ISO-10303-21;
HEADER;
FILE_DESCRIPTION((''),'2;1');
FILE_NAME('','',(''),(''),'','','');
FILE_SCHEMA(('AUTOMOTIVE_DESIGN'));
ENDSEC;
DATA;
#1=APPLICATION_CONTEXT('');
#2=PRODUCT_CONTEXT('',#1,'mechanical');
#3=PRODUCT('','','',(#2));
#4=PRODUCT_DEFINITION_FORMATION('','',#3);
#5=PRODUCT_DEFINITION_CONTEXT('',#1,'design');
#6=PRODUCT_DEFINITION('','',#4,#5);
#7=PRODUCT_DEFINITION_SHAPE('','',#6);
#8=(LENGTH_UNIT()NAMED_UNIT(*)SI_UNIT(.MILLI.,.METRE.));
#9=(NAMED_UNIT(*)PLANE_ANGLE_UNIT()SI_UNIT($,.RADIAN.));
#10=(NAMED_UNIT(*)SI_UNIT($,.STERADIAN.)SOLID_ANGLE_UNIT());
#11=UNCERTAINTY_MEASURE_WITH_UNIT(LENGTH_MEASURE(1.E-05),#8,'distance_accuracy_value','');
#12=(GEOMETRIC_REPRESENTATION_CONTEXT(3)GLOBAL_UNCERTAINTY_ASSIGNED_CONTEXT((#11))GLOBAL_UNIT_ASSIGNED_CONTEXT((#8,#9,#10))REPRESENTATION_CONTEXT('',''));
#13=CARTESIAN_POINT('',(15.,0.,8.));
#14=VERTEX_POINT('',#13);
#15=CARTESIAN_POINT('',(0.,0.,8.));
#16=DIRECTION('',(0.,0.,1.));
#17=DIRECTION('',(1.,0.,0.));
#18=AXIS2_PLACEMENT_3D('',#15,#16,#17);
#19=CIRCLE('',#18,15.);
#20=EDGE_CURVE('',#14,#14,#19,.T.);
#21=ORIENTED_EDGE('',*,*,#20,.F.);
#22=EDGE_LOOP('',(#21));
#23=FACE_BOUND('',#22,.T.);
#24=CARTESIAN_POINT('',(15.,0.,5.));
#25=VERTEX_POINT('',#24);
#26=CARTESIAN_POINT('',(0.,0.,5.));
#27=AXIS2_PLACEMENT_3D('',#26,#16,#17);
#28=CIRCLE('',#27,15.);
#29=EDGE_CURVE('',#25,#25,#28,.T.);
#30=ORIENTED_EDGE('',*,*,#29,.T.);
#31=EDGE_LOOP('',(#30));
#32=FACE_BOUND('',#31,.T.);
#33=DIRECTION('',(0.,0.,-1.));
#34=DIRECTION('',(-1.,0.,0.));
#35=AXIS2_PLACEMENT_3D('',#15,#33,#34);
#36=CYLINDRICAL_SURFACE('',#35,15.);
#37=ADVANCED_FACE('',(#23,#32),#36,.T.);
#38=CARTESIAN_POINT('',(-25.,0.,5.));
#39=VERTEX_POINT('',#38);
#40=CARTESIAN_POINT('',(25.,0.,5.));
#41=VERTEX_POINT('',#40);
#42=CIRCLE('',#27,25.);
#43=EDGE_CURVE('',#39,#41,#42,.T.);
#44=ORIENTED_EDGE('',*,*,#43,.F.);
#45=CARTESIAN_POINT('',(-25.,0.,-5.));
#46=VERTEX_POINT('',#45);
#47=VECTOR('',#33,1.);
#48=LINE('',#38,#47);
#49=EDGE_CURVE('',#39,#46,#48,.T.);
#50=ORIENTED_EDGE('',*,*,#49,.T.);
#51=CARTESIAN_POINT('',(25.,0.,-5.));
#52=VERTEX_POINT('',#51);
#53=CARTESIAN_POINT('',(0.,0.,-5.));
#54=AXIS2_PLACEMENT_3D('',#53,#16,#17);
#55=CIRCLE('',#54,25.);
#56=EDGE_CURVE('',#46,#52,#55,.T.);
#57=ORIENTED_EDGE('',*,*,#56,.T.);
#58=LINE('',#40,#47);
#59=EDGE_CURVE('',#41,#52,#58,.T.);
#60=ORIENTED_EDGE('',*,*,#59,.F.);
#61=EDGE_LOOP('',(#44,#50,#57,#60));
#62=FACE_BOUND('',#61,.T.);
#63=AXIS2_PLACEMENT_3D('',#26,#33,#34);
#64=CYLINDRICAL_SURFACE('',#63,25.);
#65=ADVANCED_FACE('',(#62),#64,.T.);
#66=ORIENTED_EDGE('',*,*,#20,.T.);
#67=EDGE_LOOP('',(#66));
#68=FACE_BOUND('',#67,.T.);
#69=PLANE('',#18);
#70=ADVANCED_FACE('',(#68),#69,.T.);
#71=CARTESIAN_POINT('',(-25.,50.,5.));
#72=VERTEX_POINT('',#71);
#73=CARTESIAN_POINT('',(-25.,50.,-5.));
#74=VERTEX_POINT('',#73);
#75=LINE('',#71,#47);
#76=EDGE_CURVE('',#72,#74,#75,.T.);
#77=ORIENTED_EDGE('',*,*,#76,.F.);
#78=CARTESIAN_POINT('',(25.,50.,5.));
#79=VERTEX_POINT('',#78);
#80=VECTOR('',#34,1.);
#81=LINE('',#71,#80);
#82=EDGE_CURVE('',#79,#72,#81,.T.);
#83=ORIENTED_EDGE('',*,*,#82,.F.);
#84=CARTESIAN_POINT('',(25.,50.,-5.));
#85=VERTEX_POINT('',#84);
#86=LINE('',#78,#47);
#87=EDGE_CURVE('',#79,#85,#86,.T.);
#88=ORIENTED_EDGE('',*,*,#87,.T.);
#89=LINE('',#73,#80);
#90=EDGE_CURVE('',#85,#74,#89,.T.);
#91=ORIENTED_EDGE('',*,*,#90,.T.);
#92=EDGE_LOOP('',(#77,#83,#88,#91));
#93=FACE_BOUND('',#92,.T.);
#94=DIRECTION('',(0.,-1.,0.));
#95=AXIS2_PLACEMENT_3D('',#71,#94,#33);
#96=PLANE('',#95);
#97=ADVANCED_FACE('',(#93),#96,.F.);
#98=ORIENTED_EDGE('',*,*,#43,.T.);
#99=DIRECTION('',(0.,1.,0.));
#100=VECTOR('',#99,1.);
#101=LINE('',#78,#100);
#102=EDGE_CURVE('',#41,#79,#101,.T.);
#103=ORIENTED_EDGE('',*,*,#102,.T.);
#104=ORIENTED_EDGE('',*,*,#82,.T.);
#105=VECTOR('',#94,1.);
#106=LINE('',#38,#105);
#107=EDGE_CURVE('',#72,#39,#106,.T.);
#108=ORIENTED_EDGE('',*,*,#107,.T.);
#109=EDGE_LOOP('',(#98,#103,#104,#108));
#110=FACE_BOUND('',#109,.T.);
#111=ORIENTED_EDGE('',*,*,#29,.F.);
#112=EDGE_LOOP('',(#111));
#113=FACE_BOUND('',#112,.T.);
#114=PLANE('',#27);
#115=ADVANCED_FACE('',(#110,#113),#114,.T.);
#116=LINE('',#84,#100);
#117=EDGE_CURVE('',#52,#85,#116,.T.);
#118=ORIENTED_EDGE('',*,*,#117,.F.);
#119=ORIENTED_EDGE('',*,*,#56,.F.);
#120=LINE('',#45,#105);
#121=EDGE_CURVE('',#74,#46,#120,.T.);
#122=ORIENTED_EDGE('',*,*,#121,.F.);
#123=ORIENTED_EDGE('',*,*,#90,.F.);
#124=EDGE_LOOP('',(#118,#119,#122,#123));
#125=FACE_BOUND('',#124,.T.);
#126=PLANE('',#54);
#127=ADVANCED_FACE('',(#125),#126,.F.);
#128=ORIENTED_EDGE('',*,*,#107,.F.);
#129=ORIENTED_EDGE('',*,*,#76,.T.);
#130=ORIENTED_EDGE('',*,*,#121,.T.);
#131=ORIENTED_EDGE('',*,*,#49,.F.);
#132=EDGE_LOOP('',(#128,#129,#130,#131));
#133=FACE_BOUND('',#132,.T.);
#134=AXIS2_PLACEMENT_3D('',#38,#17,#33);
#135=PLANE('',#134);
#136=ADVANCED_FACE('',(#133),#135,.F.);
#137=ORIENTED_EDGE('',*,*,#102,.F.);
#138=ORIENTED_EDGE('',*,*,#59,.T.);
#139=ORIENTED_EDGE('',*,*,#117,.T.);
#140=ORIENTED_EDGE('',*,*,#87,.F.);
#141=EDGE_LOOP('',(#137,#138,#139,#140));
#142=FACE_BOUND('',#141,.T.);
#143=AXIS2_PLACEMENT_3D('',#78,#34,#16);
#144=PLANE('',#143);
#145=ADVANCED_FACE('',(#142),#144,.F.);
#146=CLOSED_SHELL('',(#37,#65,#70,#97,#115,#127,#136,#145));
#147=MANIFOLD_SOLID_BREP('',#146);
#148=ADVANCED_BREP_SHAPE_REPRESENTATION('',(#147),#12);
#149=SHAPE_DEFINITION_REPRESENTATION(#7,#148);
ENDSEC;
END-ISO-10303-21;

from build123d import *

# Parameters (mm, degrees)
BOSS_EXTRUDE1_DEPTH = 5
SKETCH3_R           = 15
BOSS_EXTRUDE2_DEPTH = 3


with BuildPart() as part:
    # Sketch1 → Boss-Extrude1 (new, symmetric)
    with BuildSketch(Plane.XY):
        with BuildLine():
            Line((-25, 0), (-25, 50))
            Line((-25, 50), (25, 50))
            Line((25, 50), (25, 0))
            ThreePointArc((25, 0), (0, -25), (-25, 0))
        make_face()
    extrude(amount=BOSS_EXTRUDE1_DEPTH, both=True)

    # Sketch3 → Boss-Extrude2 (add)
    with BuildSketch(Plane.XY.offset(5)):
        Circle(SKETCH3_R)
    extrude(amount=BOSS_EXTRUDE2_DEPTH)


solid = part.part
